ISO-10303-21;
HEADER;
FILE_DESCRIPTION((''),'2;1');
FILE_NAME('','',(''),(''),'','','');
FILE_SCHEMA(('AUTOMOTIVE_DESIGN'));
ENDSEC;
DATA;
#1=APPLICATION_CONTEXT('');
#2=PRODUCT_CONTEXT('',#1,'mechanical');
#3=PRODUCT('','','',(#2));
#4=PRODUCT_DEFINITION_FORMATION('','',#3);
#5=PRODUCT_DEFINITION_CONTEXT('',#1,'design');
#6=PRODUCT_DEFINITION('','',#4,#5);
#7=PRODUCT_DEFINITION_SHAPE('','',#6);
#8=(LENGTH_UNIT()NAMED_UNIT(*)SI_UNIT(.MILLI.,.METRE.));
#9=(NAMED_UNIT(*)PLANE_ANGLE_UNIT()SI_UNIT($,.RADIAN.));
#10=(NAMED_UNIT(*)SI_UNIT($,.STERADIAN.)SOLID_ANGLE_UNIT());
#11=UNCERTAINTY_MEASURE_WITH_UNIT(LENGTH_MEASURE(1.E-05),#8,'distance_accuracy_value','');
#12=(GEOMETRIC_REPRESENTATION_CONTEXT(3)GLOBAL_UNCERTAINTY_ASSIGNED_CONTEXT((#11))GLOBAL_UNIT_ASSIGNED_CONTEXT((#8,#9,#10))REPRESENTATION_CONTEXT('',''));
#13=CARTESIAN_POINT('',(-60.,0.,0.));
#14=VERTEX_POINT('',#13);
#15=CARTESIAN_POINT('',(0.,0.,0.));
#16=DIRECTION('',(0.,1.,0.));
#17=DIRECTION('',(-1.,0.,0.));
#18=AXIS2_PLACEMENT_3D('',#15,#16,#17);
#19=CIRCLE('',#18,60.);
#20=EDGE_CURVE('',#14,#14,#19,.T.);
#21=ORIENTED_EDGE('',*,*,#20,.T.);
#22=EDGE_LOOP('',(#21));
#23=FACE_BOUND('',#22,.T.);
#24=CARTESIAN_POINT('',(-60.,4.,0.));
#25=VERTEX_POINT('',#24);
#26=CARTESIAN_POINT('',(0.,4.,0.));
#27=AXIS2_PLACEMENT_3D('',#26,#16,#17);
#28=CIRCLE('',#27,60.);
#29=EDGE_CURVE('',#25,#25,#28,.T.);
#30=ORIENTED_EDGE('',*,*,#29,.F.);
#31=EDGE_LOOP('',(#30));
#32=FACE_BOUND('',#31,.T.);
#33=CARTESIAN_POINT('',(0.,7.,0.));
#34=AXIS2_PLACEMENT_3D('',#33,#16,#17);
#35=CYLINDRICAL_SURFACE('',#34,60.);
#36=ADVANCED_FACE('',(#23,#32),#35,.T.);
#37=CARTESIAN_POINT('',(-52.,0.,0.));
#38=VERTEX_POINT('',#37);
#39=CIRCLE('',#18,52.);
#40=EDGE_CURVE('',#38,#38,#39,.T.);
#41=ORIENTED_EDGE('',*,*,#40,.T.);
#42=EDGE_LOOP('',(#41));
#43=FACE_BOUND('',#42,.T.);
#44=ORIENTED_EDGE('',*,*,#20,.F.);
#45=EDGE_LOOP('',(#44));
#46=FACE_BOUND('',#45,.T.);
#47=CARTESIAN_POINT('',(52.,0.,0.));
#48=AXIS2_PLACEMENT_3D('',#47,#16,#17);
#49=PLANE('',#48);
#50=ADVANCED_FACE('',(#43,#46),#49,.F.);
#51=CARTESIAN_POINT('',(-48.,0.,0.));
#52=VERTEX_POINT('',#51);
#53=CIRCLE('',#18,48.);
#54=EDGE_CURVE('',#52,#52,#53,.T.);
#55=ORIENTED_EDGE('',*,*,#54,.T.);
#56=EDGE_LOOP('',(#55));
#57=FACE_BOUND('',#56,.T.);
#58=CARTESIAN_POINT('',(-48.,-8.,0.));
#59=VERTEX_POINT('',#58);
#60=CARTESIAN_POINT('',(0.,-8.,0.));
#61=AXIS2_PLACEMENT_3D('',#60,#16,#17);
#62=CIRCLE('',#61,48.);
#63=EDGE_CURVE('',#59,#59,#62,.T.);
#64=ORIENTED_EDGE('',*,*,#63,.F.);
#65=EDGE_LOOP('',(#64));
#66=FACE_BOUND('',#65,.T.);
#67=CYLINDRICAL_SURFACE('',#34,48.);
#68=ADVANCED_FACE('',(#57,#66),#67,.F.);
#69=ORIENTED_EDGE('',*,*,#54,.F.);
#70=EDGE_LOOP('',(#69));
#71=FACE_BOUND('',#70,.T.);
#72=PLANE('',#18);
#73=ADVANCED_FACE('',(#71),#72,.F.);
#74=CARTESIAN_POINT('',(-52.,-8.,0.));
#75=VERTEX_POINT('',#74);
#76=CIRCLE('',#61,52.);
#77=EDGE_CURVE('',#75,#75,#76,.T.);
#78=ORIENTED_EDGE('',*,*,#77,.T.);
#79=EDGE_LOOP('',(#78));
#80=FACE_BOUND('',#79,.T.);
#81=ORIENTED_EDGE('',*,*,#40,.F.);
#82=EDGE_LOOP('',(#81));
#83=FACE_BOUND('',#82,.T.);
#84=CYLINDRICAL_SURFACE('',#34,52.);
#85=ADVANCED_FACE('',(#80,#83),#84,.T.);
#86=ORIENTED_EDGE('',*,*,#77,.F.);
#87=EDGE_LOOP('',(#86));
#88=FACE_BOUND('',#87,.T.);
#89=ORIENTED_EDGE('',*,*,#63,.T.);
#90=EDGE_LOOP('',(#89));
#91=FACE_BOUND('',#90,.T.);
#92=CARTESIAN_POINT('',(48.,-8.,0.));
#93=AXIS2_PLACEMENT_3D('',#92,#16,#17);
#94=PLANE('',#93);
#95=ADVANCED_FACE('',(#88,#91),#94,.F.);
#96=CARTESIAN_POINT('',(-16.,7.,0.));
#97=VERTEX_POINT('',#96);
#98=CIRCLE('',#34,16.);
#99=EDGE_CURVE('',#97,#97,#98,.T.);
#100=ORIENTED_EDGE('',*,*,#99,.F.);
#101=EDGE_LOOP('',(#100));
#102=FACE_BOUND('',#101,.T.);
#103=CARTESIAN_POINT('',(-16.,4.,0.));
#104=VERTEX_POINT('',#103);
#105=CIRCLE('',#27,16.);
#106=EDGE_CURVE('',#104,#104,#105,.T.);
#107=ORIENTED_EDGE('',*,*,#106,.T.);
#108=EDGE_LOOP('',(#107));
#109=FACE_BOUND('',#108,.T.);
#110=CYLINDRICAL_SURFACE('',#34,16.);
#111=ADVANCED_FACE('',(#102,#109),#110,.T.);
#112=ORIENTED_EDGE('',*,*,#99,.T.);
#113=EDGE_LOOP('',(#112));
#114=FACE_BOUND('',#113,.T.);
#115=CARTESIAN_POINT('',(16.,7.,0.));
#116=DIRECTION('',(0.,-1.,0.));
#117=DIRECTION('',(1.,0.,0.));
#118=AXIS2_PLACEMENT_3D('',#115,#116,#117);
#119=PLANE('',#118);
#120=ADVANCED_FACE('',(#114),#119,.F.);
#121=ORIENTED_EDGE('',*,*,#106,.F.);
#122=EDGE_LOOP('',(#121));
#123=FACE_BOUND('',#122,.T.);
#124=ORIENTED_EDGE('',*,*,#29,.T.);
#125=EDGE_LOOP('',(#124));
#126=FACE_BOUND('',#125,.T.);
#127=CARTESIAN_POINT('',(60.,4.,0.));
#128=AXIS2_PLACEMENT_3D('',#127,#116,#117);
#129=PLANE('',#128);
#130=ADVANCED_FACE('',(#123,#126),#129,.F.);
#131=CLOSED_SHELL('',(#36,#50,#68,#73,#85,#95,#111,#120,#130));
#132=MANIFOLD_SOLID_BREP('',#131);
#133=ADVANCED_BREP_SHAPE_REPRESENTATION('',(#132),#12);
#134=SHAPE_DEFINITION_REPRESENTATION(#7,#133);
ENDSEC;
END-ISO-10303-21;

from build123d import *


with BuildPart() as part:
    # Sketch1 → Lid Revolve (revolve)
    with BuildSketch(Plane.XY, mode=Mode.PRIVATE) as lid_revolve_sk:
        Polygon((0, 0), (48, 0), (48, -8), (52, -8), (52, 0), (60, 0), (60, 4), (16, 4), (16, 7), (0, 7), align=None)
    revolve(lid_revolve_sk.sketch.rotate(Axis((0, 7, 0), (0, -1, 0)), 180), axis=Axis((0, 7, 0), (0, -1, 0)))


solid = part.part
